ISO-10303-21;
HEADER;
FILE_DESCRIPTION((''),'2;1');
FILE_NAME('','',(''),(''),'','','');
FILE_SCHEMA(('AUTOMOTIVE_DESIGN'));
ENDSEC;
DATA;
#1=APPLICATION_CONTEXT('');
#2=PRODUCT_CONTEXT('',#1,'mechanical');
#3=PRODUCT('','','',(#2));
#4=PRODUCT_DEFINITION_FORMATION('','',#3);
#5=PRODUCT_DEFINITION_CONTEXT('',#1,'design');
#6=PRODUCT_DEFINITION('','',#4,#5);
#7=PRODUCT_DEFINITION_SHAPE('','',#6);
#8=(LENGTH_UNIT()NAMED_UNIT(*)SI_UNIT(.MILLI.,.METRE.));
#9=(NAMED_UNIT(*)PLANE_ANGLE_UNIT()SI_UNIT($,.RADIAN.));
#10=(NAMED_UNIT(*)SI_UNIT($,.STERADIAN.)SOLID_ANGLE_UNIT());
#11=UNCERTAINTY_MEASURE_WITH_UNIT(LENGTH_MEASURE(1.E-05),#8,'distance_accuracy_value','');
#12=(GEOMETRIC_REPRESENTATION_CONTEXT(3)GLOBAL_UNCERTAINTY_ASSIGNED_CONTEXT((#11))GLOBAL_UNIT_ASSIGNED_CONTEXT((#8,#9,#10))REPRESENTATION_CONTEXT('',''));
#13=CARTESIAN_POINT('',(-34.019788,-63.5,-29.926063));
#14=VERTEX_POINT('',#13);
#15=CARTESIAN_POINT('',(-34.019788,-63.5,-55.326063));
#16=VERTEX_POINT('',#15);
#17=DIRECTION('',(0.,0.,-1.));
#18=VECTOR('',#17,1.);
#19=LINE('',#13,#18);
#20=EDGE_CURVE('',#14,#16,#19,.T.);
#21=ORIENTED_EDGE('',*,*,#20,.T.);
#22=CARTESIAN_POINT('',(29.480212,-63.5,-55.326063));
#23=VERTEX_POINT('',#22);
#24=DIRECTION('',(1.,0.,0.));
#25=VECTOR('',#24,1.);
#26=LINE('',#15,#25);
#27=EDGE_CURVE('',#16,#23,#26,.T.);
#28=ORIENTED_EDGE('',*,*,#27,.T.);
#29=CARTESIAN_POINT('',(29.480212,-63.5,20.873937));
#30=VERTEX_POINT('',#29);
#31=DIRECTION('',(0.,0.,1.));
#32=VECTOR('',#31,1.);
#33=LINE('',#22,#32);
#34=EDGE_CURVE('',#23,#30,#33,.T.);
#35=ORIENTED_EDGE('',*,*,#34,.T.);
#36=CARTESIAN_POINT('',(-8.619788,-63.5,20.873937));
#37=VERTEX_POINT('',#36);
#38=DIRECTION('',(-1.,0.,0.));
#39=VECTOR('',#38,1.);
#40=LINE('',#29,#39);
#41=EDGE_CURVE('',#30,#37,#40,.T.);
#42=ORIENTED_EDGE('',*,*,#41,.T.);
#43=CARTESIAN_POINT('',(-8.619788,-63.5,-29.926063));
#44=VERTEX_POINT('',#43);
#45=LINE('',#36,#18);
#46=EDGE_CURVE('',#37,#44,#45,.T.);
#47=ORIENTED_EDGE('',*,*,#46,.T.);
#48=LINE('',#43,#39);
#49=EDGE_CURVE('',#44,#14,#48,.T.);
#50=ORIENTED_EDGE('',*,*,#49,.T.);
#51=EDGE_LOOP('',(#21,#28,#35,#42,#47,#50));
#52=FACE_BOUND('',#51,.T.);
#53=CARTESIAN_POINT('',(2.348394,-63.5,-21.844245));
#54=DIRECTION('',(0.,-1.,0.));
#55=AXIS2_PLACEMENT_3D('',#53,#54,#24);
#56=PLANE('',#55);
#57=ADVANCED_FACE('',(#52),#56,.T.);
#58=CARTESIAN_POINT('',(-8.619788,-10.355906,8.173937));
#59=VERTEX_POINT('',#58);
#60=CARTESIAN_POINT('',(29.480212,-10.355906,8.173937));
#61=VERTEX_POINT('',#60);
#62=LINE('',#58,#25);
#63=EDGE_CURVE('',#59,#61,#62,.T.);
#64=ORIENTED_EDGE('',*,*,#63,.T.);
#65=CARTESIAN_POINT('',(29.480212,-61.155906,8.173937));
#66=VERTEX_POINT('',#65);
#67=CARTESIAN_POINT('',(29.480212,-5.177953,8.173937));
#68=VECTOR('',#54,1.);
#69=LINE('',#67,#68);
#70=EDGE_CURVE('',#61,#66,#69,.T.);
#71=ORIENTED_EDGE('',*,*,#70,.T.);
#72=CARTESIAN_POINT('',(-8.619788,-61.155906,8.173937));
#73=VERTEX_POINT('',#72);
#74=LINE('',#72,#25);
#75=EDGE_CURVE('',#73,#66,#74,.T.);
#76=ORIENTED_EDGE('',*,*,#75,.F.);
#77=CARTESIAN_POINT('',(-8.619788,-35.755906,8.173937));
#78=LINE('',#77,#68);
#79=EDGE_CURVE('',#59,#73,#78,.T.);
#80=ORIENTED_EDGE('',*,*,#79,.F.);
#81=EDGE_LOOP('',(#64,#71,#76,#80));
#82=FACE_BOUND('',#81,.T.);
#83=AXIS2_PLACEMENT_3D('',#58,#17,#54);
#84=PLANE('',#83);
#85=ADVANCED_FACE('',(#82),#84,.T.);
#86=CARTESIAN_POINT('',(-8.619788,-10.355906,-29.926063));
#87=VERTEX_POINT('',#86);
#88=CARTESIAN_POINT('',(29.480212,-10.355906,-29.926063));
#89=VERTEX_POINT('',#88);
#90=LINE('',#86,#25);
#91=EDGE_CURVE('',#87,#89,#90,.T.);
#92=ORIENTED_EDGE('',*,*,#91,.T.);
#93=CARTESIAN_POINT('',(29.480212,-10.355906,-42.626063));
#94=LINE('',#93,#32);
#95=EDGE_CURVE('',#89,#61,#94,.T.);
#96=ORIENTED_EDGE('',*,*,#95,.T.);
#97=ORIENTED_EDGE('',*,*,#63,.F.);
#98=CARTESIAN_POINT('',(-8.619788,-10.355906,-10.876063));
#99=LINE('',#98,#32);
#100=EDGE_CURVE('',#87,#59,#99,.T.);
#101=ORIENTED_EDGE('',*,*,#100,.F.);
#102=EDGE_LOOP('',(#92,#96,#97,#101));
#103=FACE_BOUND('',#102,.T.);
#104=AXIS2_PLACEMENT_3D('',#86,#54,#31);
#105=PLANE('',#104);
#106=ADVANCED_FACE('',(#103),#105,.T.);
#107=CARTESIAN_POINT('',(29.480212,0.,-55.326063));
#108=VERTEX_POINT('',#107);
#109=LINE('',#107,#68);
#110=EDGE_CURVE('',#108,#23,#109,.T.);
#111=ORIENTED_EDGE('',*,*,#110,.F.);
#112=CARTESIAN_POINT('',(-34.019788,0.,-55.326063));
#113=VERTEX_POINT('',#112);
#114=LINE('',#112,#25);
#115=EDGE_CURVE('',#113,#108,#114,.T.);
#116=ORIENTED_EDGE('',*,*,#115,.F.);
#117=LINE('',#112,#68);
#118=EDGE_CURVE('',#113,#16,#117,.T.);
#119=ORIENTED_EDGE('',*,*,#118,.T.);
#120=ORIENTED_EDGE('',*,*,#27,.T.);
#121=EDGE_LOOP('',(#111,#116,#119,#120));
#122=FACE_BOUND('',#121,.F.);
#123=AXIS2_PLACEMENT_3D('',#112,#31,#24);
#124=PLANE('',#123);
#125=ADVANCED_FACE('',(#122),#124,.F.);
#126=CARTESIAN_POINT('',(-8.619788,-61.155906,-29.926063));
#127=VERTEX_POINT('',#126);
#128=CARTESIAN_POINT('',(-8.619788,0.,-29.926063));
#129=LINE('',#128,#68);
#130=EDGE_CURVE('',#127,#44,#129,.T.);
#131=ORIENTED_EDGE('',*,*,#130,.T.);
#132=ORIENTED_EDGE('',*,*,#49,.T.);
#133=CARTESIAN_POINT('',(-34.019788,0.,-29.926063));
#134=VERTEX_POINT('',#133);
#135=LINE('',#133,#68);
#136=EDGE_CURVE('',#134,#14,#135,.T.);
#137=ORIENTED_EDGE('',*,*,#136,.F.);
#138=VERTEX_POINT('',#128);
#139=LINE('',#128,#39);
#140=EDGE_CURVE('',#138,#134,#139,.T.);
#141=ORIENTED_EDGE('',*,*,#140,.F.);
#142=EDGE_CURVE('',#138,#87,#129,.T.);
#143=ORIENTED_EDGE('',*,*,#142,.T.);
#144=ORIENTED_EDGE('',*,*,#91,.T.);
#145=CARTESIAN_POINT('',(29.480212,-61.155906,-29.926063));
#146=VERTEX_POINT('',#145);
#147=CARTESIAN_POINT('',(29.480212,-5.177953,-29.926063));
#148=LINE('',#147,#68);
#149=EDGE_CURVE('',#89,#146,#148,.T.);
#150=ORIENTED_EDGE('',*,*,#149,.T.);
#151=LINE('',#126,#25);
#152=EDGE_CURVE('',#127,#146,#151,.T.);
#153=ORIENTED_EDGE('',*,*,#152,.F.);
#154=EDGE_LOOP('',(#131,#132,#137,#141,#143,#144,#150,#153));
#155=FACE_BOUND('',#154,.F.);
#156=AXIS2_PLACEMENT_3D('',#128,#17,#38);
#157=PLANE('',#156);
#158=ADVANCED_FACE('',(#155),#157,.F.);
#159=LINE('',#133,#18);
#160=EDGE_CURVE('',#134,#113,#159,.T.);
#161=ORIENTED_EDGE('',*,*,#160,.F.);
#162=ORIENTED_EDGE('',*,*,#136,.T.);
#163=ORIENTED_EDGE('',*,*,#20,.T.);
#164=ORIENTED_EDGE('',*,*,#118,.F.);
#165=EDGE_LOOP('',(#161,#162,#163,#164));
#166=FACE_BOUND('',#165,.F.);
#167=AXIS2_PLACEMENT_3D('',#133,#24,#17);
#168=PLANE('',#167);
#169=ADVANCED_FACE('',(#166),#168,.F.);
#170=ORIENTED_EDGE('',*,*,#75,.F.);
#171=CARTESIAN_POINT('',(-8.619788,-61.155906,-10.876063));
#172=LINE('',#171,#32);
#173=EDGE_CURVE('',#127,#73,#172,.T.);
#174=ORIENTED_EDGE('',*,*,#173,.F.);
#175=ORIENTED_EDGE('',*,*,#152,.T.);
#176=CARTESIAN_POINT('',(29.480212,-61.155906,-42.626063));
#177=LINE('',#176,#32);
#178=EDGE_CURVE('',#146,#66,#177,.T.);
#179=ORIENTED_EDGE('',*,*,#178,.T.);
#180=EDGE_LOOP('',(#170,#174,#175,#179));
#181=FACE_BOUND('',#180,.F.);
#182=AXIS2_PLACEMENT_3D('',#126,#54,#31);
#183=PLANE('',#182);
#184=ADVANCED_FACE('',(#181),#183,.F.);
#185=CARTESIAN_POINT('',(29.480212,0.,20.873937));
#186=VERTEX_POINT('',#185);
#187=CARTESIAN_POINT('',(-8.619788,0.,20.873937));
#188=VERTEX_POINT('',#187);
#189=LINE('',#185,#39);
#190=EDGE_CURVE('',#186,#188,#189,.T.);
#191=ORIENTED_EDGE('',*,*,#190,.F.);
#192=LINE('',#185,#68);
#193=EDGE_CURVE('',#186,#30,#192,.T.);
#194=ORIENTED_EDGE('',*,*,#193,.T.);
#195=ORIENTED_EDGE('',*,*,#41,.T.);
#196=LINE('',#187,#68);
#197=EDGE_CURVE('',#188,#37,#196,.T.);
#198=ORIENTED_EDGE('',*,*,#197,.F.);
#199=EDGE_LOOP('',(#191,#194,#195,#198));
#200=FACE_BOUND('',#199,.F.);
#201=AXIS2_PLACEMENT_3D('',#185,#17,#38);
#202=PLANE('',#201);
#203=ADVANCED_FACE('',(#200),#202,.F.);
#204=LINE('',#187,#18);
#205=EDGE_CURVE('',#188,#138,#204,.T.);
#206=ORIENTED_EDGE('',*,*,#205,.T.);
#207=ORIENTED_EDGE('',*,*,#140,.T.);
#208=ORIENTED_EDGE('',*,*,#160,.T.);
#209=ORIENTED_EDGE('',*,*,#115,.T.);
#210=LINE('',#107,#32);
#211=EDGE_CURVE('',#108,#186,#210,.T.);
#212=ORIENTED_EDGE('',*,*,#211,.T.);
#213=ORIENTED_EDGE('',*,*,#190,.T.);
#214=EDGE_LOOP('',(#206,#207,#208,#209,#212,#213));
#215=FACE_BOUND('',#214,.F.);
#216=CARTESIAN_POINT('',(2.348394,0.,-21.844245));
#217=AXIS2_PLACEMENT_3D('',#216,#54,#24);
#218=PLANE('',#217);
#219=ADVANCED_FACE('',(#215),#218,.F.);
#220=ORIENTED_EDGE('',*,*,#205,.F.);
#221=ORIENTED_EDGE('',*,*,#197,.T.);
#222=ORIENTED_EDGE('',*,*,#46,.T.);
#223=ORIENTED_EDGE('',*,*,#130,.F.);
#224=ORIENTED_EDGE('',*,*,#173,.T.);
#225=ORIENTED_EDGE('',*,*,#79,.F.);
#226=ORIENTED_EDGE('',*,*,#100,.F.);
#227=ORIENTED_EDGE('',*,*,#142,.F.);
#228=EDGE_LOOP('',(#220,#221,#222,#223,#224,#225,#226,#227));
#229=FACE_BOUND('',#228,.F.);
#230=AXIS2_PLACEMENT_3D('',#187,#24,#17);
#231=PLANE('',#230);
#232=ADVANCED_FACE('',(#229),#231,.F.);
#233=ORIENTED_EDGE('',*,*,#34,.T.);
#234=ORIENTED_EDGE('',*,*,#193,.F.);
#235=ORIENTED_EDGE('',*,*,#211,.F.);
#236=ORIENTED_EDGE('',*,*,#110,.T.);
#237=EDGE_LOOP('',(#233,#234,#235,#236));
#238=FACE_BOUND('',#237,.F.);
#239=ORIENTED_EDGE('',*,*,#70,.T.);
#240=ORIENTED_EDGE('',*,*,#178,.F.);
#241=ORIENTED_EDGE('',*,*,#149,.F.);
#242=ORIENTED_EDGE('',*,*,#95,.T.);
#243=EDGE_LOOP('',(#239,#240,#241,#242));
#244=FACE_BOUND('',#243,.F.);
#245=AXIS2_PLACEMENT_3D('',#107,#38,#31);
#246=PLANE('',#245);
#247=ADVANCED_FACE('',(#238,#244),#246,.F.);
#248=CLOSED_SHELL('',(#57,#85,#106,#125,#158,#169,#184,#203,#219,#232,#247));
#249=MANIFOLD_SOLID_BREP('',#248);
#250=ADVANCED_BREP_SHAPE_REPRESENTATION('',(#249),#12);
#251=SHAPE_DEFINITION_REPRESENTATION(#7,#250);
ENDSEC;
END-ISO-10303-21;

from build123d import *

# Parameters (mm, degrees)
F1_DEPTH = 63.5
F2_W     = 50.8
F2_H     = 38.1
F3_DEPTH = 50.8


with BuildPart() as f1:
    # F0 (on Front) → F1 (new body)
    with BuildSketch(Plane.XZ):
        Polygon((-34.019788, -29.926063), (-34.019788, -55.326063), (29.480212, -55.326063), (29.480212, 20.873937), (-8.619788, 20.873937), (-8.619788, -29.926063), align=None)
    extrude(amount=F1_DEPTH)

    # F2 (on face) → F3 (cut)
    with BuildSketch(Plane(origin=(-8.619788, 0, 0), x_dir=(0, -1, 0), z_dir=(-1, 0, 0))):
        with Locations((35.755906, -10.876063)):
            Rectangle(F2_W, F2_H)
    extrude(amount=-F3_DEPTH, mode=Mode.SUBTRACT)


solid = f1.part
